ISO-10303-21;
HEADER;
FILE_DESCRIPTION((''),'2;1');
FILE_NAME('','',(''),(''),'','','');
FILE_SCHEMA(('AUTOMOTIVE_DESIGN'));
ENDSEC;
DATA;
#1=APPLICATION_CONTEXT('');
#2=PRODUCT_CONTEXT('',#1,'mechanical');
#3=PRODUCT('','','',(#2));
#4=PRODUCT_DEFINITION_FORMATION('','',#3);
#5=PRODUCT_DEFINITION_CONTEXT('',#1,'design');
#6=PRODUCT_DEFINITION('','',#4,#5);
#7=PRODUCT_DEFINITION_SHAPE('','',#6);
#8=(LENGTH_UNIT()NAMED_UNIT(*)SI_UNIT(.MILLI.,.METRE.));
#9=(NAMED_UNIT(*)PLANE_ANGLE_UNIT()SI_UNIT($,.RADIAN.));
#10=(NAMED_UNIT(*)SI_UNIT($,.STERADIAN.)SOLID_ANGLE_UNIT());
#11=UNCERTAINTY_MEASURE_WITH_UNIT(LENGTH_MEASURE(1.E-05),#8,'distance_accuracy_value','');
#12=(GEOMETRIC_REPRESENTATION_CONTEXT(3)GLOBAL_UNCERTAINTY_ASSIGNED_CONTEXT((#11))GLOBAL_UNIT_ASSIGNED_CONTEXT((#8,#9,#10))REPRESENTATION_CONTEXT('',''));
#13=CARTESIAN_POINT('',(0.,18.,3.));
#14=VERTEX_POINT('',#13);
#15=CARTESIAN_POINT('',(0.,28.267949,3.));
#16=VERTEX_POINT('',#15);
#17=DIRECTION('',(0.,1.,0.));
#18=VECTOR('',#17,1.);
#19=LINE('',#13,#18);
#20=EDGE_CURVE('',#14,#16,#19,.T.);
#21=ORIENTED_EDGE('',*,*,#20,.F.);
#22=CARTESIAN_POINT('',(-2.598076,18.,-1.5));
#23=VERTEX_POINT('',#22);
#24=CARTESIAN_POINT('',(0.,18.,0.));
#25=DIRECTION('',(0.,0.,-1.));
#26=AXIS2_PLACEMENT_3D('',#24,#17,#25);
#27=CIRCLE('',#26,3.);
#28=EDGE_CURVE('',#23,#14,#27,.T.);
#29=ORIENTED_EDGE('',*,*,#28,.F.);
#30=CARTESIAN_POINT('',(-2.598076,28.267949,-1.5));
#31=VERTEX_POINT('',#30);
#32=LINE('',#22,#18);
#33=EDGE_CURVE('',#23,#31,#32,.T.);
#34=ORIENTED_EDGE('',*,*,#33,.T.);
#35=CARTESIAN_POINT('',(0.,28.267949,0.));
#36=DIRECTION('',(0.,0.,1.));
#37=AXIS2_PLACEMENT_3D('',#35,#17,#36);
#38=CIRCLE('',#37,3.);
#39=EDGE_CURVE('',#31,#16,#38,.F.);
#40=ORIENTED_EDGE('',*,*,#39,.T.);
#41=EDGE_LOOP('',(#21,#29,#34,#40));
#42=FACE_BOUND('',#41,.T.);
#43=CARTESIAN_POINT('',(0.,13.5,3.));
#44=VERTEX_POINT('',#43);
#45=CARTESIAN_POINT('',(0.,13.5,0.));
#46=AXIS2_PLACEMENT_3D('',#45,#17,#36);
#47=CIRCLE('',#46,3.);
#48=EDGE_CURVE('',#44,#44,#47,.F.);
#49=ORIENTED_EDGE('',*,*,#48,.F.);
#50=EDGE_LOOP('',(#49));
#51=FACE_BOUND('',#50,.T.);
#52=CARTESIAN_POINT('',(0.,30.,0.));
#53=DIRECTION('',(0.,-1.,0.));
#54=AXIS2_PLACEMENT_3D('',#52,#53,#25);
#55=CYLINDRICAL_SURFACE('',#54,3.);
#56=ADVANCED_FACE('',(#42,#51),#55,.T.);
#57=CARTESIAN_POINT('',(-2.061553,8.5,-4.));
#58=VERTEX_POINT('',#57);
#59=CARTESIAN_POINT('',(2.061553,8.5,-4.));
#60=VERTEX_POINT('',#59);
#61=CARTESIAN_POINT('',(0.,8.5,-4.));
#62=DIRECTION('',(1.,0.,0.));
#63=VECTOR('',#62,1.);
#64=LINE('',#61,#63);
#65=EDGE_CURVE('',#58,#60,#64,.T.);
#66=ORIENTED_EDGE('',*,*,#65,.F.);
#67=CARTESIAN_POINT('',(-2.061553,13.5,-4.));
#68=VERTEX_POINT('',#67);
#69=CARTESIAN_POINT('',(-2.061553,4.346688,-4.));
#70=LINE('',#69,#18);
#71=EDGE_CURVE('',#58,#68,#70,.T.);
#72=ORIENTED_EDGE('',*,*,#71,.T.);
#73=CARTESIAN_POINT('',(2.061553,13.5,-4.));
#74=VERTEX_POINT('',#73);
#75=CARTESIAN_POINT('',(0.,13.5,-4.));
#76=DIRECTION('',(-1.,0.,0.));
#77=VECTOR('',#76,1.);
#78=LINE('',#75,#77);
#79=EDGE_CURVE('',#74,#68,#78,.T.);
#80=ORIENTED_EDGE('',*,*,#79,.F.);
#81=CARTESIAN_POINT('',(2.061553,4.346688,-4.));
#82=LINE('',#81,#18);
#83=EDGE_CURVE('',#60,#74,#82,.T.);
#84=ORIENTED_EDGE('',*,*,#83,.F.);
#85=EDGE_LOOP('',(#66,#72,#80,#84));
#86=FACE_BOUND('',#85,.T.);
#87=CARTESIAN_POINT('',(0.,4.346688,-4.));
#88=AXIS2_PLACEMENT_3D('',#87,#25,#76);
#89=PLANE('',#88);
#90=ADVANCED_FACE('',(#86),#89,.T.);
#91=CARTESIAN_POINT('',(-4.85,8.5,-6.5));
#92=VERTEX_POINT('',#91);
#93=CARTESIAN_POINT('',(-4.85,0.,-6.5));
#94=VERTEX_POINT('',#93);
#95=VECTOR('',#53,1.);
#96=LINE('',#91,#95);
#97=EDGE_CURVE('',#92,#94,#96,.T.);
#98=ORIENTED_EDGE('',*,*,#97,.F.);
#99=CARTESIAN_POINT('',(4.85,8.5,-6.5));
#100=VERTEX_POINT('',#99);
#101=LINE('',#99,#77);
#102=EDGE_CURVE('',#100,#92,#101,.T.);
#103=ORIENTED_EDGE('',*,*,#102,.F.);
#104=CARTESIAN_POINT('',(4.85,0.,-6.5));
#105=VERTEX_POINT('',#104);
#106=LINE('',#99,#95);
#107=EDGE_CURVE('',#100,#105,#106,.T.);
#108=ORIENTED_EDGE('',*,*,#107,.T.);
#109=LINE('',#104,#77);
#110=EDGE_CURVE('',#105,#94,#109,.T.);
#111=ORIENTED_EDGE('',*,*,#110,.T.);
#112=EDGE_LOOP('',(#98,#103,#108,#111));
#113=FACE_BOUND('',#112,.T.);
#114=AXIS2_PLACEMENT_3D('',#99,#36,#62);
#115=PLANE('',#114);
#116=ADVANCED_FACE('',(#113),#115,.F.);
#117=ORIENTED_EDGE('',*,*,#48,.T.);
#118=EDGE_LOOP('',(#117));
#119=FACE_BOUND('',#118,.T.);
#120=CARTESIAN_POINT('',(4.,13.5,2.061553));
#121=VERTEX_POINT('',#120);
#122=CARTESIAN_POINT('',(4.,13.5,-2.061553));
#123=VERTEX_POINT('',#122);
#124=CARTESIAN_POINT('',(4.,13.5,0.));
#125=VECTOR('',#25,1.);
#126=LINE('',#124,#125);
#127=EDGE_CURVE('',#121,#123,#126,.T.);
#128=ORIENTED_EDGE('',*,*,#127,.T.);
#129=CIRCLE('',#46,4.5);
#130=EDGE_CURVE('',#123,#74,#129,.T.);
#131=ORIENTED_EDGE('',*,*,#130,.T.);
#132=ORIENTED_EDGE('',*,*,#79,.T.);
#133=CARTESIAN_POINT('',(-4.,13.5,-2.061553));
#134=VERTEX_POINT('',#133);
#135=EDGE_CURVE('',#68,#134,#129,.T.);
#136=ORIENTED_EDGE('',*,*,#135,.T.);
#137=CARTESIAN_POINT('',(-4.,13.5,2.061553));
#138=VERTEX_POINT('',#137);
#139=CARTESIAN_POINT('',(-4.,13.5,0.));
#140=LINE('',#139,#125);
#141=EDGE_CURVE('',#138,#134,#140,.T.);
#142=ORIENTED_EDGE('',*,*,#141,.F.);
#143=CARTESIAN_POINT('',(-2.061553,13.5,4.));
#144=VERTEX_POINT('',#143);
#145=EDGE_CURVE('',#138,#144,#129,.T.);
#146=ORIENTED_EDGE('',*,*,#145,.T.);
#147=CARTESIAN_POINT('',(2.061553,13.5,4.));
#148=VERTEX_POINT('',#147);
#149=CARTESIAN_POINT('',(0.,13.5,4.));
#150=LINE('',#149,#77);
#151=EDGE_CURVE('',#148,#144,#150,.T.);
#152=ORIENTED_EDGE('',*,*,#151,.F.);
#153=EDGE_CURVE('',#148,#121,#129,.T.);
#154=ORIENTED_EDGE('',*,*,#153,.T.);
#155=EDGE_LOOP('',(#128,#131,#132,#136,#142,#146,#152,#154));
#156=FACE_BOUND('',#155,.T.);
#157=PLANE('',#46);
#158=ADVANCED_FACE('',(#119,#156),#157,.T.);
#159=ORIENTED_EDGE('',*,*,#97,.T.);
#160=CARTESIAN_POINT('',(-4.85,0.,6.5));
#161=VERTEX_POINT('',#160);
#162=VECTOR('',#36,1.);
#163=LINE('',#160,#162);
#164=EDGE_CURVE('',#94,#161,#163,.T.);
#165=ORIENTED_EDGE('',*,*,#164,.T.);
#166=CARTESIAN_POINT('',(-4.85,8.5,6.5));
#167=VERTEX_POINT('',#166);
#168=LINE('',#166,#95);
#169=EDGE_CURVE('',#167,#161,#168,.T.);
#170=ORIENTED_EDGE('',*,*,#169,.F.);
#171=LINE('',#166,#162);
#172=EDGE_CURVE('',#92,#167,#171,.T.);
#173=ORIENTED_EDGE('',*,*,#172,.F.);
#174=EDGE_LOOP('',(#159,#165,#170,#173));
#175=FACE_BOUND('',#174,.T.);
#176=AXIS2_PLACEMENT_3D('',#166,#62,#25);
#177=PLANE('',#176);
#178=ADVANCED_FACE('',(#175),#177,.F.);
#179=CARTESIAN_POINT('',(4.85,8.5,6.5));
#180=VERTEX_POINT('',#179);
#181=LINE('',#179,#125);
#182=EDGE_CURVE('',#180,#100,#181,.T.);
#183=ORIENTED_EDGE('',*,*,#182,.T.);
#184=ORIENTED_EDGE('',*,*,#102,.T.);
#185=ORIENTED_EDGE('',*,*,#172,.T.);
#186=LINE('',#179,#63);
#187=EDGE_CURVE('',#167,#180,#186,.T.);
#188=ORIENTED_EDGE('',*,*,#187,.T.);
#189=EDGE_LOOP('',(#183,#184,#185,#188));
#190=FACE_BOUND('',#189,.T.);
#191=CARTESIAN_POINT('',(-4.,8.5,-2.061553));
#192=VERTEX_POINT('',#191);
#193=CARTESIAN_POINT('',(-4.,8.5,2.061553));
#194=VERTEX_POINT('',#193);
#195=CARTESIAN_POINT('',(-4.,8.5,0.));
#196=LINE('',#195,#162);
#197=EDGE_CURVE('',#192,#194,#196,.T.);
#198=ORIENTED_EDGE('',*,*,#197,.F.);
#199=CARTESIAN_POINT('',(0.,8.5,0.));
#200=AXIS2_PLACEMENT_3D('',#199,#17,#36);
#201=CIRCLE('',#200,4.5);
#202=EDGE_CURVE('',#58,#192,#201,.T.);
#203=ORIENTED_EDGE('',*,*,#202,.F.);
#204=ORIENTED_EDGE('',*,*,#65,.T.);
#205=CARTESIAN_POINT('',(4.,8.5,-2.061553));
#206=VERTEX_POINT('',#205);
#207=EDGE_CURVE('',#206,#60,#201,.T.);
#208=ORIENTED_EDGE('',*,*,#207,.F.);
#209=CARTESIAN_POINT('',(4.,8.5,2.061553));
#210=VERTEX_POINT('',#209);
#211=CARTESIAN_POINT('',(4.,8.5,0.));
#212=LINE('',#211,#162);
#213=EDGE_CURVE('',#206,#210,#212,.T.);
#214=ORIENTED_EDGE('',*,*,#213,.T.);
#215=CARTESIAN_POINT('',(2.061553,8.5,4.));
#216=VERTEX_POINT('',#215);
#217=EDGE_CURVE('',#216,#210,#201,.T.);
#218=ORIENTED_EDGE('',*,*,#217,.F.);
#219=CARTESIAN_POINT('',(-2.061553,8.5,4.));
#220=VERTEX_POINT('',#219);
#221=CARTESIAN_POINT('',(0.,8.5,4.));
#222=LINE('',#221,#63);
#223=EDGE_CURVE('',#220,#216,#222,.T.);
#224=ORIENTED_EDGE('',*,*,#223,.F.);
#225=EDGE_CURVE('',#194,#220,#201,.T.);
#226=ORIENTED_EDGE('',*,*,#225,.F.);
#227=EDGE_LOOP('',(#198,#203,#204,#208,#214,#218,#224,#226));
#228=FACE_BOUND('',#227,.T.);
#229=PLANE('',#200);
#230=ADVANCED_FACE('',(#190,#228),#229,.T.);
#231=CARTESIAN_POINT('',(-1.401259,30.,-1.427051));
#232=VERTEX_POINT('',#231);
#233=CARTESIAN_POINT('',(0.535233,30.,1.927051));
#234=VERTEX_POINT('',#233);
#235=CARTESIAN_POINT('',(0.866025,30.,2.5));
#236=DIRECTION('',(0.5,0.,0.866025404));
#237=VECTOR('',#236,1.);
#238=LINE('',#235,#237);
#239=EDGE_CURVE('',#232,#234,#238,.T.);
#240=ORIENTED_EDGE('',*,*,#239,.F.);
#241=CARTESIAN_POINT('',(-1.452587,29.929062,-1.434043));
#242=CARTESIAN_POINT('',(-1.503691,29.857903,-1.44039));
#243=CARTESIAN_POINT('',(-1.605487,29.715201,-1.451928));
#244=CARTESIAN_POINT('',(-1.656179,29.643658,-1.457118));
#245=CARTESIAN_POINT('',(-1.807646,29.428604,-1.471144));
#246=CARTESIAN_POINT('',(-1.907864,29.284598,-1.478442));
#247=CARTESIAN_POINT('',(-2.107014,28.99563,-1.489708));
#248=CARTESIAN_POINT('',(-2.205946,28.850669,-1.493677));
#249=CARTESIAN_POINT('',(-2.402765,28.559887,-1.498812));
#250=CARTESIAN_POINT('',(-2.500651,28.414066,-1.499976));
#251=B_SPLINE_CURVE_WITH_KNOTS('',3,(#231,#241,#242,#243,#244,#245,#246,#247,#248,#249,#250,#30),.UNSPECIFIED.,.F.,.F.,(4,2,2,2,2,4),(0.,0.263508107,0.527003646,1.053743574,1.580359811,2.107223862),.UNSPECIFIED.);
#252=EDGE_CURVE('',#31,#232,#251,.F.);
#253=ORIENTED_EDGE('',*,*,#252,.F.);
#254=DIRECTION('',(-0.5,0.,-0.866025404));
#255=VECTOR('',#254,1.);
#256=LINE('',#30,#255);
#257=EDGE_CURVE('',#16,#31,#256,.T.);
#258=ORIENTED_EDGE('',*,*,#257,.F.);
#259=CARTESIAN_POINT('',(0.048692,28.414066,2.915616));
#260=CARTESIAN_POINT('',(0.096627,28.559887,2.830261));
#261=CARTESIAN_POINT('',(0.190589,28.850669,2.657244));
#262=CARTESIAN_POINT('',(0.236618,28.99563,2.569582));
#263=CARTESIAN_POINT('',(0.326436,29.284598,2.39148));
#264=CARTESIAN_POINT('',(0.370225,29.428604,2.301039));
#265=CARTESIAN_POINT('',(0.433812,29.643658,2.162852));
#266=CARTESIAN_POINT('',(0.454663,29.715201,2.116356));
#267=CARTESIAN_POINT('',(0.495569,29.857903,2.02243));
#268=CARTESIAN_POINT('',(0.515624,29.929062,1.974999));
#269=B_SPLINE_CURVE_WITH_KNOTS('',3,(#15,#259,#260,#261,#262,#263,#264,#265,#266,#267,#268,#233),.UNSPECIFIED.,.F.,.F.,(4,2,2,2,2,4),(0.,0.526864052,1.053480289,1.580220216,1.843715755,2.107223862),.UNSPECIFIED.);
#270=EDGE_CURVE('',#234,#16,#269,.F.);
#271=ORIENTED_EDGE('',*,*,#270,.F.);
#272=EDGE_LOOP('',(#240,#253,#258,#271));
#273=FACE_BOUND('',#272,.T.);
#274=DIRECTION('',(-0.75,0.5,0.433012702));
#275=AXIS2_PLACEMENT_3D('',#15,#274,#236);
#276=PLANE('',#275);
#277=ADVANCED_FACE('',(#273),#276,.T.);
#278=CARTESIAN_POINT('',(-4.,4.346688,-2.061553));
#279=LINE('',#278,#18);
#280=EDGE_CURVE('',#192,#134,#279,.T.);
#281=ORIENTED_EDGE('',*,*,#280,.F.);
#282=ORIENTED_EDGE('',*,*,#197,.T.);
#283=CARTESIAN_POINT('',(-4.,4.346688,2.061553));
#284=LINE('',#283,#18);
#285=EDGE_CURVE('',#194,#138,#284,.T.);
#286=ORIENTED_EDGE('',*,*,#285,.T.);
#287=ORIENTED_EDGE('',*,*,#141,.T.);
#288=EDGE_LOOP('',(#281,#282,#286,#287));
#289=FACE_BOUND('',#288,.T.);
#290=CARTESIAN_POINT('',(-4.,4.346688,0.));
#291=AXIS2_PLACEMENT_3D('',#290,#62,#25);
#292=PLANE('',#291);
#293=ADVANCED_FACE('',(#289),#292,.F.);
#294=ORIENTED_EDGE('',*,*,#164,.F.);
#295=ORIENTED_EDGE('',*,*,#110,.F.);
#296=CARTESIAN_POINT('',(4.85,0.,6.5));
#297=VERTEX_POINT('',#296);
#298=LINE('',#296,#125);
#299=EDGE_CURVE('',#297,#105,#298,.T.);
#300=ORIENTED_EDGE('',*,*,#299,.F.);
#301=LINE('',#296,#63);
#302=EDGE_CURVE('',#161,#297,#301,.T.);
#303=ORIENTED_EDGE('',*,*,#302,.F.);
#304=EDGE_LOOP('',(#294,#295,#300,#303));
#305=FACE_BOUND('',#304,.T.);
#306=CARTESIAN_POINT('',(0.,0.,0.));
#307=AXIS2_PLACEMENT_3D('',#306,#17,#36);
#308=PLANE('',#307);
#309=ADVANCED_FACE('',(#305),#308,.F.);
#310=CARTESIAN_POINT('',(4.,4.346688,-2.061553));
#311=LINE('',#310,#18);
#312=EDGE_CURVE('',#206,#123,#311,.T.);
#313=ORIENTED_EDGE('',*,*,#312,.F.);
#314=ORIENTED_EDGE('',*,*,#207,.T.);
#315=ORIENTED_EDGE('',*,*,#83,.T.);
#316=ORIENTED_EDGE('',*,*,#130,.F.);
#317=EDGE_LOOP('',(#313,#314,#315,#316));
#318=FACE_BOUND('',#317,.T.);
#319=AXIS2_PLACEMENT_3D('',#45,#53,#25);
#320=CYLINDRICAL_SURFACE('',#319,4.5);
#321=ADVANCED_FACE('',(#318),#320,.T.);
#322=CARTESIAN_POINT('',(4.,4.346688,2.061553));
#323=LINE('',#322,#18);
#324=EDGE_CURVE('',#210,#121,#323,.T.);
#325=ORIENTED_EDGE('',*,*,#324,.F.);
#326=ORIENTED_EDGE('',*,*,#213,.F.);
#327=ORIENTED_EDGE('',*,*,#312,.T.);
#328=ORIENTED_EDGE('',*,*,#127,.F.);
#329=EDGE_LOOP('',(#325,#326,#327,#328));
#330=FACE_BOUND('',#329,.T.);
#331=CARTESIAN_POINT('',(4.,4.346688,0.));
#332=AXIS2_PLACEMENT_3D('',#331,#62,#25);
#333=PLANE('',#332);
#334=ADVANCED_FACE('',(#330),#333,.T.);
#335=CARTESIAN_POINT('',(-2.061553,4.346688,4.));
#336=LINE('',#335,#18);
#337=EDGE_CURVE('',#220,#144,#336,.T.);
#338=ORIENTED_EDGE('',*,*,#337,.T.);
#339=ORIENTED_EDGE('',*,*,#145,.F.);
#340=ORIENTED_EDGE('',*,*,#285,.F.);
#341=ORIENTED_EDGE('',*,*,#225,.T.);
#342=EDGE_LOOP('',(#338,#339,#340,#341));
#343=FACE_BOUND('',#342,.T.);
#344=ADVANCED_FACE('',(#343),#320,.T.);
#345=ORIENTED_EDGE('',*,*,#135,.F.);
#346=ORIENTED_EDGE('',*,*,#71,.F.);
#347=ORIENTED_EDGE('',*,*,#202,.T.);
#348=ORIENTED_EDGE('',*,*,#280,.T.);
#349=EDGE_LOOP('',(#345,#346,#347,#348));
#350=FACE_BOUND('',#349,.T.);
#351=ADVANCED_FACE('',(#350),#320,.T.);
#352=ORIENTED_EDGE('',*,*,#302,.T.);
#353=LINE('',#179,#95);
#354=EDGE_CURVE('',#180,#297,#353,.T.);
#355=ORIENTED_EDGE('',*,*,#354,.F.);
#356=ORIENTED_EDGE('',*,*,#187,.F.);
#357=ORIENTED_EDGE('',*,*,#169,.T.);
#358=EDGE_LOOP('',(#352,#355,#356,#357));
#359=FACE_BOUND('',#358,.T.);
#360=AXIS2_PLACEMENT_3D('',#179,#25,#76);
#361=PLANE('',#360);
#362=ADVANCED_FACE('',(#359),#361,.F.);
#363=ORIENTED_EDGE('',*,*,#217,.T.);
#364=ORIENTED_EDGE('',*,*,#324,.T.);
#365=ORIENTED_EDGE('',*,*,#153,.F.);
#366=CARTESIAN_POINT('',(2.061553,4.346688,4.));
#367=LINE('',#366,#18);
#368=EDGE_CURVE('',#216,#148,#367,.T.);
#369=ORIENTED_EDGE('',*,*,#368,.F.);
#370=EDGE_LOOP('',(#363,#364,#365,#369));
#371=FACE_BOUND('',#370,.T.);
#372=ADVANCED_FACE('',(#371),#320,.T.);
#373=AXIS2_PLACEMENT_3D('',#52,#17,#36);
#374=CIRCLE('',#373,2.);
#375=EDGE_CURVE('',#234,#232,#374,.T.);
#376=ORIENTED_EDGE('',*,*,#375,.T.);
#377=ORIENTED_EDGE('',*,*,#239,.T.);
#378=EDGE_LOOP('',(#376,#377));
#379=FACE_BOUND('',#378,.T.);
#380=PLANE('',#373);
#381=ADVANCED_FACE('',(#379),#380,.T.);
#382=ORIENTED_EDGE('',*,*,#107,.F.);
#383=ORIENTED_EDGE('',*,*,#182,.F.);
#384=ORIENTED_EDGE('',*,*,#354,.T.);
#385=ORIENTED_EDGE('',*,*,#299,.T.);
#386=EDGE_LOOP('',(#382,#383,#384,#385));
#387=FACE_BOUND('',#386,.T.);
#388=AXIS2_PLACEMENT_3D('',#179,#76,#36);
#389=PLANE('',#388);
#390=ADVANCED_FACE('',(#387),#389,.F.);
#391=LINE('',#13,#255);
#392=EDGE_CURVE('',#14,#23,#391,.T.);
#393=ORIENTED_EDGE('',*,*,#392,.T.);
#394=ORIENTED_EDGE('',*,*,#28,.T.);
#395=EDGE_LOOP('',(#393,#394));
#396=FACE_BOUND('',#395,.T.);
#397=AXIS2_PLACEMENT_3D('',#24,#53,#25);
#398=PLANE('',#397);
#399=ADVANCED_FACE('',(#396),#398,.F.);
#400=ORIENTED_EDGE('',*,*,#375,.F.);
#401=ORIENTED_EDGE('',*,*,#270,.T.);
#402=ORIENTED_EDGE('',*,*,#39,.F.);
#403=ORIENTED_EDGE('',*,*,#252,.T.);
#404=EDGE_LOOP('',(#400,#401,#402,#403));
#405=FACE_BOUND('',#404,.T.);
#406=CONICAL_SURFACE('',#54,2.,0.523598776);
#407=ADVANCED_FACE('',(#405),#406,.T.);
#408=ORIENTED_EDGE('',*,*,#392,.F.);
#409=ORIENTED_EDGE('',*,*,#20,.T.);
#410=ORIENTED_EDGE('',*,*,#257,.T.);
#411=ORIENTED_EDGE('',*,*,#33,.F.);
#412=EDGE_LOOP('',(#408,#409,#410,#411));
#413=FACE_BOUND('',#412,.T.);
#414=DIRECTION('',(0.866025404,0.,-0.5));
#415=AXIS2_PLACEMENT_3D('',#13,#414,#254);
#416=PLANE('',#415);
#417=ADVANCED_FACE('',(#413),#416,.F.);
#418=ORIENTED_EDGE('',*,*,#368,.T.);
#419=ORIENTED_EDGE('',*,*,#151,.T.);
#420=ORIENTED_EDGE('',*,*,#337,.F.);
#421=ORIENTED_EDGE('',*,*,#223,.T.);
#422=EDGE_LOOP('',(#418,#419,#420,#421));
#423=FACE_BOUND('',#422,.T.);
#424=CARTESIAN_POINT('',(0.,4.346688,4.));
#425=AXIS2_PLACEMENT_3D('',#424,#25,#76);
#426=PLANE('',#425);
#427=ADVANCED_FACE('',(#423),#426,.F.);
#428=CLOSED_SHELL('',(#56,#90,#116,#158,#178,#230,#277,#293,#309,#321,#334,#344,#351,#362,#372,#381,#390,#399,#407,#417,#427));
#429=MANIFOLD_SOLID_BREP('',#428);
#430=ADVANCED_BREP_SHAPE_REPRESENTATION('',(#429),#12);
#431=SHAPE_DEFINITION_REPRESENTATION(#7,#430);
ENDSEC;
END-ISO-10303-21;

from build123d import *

# Parameters (mm, degrees)
SKETCH1_W           = 9.7
SKETCH1_H           = 13
BOSS_EXTRUDE1_DEPTH = 8.5
SKETCH2_R           = 4.5
BOSS_EXTRUDE2_DEPTH = 5
BOSS_EXTRUDE4_START = -5
SKETCH3_R           = 3
BOSS_EXTRUDE4_DEPTH = 21.5
CUT_EXTRUDE1_DEPTH  = 5
CUT_EXTRUDE2_DEPTH  = 12
CHAMFER1_SIZE       = 1
CHAMFER1_SIZE2      = 1.732050808


with BuildPart() as part:
    # Sketch1 → Boss-Extrude1 (new body)
    with BuildSketch(Plane(origin=(0, 0, 0), x_dir=(1, 0, 0), z_dir=(0, 1, 0))):
        Rectangle(SKETCH1_W, SKETCH1_H)
    extrude(amount=BOSS_EXTRUDE1_DEPTH)

    # Sketch2 → Boss-Extrude2 (add)
    with BuildSketch(Plane(origin=(0, 8.5, 0), x_dir=(1, 0, 0), z_dir=(0, 1, 0))):
        Circle(SKETCH2_R)
    extrude(amount=BOSS_EXTRUDE2_DEPTH)

    # Sketch3 → Boss-Extrude4 (add)
    with BuildSketch(Plane(origin=(0, 13.5, 0), x_dir=(1, 0, 0), z_dir=(0, 1, 0)).offset(BOSS_EXTRUDE4_START)):
        Circle(SKETCH3_R)
    extrude(amount=BOSS_EXTRUDE4_DEPTH)

    # Sketch4 → Cut-Extrude1 (cut)
    with BuildSketch(Plane(origin=(0, 13.5, 0), x_dir=(1, 0, 0), z_dir=(0, 1, 0))):
        with BuildLine():
            ThreePointArc((-4, 2.061552813), (-4.5, 0), (-4, -2.061552813))
            Line((-4, -2.061552813), (-4, 2.061552813))
        make_face()
        with BuildLine():
            ThreePointArc((-2.061552813, -4), (0, -4.5), (2.061552813, -4))
            Line((2.061552813, -4), (-2.061552813, -4))
        make_face()
        with BuildLine():
            Line((4, 2.061552813), (4, -2.061552813))
            ThreePointArc((4, -2.061552813), (4.373213921, -1.060660172), (4.5, 0))
            ThreePointArc((4.5, 0), (4.373213921, 1.060660172), (4, 2.061552813))
        make_face()
        with BuildLine():
            Line((-2.061552813, 4), (2.061552813, 4))
            ThreePointArc((2.061552813, 4), (0, 4.5), (-2.061552813, 4))
        make_face()
    extrude(amount=-CUT_EXTRUDE1_DEPTH, mode=Mode.SUBTRACT)

    # Sketch5 → Cut-Extrude2 (cut)
    with BuildSketch(Plane(origin=(0, 30, 0), x_dir=(1, 0, 0), z_dir=(0, 1, 0))):
        with BuildLine():
            Line((0, -3), (-2.598076211, 1.5))
            ThreePointArc((-2.598076211, 1.5), (-2.598076211, -1.5), (0, -3))
        make_face()
    extrude(amount=-CUT_EXTRUDE2_DEPTH, mode=Mode.SUBTRACT)

    # Chamfer1
    chamfer1_edges = [part.edges().sort_by_distance(p)[0] for p in [
        (0.776457135, 30, -2.897777479),
        (-1.299038106, 30, 0.75),
    ]]
    chamfer1_side = [part.faces().sort_by_distance(p)[0] for p in [
        (0.445120094, 30, -0.256990206),
    ]]
    chamfer(chamfer1_edges, length=CHAMFER1_SIZE, length2=CHAMFER1_SIZE2, reference=chamfer1_side[0])


solid = part.part
